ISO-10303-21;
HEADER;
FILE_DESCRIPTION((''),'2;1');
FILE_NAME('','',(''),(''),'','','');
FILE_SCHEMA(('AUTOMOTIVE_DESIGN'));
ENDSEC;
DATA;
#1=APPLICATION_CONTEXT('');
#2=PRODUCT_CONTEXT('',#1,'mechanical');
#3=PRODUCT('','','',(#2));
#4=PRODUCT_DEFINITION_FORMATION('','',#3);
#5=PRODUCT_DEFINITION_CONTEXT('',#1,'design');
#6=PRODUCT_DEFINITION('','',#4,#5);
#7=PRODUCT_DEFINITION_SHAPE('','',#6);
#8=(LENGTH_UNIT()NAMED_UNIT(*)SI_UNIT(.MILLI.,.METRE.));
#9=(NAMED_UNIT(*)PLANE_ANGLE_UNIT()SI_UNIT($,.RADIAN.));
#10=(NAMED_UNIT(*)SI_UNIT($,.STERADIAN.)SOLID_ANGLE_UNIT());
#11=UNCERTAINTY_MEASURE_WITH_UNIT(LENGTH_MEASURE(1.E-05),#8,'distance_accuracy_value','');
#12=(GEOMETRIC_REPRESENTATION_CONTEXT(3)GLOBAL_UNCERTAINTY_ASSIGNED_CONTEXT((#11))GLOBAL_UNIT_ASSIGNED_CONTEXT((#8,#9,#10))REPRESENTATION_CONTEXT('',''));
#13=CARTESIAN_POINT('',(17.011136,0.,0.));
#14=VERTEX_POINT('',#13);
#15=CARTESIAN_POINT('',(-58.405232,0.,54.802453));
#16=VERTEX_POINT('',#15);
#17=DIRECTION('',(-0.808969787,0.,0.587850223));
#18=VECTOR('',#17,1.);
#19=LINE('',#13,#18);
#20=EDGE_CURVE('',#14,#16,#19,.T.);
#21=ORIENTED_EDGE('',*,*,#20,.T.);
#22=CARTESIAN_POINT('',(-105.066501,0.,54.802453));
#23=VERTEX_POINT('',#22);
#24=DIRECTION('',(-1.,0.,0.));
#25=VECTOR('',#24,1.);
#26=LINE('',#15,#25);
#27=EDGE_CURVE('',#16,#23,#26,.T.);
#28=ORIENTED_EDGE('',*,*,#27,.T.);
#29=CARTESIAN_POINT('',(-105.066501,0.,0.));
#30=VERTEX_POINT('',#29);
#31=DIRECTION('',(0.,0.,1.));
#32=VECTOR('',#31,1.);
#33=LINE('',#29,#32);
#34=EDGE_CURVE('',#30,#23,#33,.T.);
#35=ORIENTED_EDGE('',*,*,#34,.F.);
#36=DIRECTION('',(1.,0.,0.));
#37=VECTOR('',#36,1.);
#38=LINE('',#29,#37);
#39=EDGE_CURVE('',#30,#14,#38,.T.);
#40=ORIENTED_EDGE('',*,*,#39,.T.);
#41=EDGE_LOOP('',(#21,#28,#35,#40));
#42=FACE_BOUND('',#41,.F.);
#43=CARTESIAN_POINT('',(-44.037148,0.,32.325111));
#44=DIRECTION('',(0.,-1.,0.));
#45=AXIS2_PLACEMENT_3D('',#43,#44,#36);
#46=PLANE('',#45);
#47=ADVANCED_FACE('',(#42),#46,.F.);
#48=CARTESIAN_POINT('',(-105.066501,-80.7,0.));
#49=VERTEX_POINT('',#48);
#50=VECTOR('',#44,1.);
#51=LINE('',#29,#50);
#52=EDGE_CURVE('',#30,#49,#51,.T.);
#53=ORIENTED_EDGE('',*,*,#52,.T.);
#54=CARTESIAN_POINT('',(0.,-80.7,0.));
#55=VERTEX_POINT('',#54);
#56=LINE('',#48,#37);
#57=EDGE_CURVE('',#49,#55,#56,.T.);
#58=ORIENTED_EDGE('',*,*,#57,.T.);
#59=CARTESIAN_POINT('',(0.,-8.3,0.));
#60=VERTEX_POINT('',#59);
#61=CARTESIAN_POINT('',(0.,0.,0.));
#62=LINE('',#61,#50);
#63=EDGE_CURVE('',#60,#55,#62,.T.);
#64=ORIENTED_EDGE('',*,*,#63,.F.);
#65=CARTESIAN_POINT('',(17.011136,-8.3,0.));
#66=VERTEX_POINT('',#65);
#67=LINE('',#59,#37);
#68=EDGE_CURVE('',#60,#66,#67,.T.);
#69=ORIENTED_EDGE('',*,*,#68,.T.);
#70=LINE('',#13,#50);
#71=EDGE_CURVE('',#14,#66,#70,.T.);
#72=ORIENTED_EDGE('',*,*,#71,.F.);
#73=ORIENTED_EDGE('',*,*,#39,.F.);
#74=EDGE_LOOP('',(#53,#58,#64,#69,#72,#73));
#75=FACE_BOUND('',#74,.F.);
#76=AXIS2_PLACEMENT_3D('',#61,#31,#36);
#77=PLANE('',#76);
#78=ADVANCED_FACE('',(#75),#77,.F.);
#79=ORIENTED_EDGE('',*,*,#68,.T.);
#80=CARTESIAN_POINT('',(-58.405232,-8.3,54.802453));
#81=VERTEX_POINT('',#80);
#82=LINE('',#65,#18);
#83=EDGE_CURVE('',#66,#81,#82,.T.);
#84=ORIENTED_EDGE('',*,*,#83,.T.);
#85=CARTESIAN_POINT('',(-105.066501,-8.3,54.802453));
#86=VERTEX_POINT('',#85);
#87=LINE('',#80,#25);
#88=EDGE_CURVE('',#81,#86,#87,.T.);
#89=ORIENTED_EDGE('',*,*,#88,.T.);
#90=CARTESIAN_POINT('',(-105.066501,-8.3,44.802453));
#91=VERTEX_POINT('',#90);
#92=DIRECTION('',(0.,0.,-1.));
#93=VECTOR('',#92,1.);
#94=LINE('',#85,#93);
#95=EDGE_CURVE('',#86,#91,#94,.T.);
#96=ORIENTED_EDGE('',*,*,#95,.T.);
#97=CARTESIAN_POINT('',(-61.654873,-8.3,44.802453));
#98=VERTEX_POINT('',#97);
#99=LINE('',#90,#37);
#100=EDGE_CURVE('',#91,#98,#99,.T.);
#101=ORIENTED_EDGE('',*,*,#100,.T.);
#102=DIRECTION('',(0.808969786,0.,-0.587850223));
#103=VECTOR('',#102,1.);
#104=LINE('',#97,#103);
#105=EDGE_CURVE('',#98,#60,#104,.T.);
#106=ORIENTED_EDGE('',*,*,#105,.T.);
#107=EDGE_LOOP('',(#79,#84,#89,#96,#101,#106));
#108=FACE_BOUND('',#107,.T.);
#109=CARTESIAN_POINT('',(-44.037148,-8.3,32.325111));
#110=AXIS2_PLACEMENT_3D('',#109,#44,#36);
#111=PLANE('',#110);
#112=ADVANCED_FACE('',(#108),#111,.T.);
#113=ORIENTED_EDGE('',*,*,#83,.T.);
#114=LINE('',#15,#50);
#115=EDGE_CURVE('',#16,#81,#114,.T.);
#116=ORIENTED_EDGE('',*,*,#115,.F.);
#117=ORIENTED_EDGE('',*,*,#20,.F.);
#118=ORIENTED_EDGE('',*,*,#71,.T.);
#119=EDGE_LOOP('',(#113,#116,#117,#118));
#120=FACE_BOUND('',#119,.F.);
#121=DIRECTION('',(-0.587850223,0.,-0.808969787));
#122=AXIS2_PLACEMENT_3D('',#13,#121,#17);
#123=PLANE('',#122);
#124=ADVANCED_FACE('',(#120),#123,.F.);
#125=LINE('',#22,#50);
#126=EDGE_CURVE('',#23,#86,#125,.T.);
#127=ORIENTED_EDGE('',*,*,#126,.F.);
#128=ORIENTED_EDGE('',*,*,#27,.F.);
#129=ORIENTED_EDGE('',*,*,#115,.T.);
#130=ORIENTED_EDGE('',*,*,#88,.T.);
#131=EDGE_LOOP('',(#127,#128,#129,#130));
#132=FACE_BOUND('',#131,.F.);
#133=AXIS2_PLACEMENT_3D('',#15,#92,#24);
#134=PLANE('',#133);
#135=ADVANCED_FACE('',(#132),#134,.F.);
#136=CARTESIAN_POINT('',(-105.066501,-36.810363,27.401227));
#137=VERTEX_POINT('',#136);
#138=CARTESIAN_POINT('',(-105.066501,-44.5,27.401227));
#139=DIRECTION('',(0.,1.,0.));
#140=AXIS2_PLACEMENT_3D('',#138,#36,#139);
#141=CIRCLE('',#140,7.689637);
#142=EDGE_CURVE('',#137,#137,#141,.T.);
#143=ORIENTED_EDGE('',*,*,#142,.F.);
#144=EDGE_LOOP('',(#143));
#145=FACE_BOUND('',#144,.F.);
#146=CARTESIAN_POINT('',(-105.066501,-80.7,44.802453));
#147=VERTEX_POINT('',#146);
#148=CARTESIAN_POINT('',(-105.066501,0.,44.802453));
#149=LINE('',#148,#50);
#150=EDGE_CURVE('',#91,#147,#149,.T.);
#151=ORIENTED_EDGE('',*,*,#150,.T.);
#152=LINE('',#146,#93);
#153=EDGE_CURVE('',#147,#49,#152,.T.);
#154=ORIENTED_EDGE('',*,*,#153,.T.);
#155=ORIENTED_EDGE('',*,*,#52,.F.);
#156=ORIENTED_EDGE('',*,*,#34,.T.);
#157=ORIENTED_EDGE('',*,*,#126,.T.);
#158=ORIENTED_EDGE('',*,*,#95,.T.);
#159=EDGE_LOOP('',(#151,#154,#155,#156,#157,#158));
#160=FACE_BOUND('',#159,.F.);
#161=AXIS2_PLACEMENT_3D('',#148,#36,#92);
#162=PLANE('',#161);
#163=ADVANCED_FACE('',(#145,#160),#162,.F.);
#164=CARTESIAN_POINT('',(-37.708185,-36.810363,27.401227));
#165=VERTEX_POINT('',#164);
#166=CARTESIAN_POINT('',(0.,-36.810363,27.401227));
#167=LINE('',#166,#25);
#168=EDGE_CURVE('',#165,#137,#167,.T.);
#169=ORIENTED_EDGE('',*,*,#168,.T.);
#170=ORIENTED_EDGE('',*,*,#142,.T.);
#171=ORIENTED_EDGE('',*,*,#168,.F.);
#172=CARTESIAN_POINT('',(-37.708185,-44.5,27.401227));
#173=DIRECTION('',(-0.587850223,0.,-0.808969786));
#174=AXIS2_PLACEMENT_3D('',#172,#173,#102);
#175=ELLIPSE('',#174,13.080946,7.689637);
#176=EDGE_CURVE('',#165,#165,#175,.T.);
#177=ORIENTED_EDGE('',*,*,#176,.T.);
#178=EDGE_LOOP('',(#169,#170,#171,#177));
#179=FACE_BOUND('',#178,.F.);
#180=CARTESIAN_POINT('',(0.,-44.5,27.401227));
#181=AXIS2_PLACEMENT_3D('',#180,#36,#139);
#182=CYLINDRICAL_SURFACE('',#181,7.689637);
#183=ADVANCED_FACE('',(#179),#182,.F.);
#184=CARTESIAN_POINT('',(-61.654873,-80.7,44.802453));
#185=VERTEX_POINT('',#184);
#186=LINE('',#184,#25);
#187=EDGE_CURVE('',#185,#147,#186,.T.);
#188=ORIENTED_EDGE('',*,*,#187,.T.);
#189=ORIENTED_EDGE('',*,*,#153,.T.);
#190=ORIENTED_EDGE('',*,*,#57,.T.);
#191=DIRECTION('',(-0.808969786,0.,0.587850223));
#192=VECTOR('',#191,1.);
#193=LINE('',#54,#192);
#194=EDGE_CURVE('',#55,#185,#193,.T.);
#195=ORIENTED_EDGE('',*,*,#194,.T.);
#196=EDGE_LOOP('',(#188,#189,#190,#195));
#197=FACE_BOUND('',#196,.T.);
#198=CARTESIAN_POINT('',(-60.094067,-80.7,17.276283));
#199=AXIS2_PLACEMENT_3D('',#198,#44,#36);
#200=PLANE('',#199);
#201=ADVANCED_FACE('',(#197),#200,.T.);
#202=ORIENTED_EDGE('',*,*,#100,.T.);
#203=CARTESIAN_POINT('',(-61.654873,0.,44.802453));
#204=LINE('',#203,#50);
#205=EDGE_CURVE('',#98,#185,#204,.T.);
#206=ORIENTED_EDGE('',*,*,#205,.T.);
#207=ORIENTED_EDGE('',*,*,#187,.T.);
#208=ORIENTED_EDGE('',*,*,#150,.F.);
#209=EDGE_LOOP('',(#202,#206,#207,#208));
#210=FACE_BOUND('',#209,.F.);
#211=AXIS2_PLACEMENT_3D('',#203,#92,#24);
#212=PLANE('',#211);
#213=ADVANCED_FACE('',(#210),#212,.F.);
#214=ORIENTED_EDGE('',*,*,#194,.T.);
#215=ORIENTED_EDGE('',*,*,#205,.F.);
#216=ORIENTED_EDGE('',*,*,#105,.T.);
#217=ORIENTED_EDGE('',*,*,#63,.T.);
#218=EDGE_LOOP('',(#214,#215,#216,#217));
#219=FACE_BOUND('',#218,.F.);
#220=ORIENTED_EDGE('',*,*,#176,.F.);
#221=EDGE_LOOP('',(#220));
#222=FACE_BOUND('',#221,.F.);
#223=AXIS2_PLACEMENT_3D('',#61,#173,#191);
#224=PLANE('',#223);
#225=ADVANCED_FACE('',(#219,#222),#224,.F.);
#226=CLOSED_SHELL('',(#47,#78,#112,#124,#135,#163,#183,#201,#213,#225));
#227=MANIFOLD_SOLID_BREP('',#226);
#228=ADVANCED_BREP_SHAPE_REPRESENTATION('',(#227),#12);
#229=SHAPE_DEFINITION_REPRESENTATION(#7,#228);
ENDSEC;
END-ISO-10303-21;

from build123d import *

# Parameters (mm, degrees)
F1_DEPTH = 80.7
F2_DEPTH = 8.3
F3_R     = 7.689637
F4_DEPTH = 105.067501


with BuildPart() as f1:
    # F0 (on Front) → F1 (new body)
    with BuildSketch(Plane.XZ):
        Polygon((-105.066501, 0), (0, 0), (-61.654873, 44.802453), (-105.066501, 44.802453), align=None)
    extrude(amount=F1_DEPTH)

    # F0 (on Front) → F2 (join)
    with BuildSketch(Plane.XZ):
        Polygon((-61.654873, 44.802453), (0, 0), (17.011136, 0), (-58.405232, 54.802453), (-105.066501, 54.802453), (-105.066501, 44.802453), align=None)
    extrude(amount=F2_DEPTH)

    # F3 (on Right) → F4 (cut, through all)
    with BuildSketch(Plane.YZ):
        with Locations((-44.5, 27.401227)):
            Circle(F3_R)
    extrude(amount=-F4_DEPTH, mode=Mode.SUBTRACT)


solid = f1.part
